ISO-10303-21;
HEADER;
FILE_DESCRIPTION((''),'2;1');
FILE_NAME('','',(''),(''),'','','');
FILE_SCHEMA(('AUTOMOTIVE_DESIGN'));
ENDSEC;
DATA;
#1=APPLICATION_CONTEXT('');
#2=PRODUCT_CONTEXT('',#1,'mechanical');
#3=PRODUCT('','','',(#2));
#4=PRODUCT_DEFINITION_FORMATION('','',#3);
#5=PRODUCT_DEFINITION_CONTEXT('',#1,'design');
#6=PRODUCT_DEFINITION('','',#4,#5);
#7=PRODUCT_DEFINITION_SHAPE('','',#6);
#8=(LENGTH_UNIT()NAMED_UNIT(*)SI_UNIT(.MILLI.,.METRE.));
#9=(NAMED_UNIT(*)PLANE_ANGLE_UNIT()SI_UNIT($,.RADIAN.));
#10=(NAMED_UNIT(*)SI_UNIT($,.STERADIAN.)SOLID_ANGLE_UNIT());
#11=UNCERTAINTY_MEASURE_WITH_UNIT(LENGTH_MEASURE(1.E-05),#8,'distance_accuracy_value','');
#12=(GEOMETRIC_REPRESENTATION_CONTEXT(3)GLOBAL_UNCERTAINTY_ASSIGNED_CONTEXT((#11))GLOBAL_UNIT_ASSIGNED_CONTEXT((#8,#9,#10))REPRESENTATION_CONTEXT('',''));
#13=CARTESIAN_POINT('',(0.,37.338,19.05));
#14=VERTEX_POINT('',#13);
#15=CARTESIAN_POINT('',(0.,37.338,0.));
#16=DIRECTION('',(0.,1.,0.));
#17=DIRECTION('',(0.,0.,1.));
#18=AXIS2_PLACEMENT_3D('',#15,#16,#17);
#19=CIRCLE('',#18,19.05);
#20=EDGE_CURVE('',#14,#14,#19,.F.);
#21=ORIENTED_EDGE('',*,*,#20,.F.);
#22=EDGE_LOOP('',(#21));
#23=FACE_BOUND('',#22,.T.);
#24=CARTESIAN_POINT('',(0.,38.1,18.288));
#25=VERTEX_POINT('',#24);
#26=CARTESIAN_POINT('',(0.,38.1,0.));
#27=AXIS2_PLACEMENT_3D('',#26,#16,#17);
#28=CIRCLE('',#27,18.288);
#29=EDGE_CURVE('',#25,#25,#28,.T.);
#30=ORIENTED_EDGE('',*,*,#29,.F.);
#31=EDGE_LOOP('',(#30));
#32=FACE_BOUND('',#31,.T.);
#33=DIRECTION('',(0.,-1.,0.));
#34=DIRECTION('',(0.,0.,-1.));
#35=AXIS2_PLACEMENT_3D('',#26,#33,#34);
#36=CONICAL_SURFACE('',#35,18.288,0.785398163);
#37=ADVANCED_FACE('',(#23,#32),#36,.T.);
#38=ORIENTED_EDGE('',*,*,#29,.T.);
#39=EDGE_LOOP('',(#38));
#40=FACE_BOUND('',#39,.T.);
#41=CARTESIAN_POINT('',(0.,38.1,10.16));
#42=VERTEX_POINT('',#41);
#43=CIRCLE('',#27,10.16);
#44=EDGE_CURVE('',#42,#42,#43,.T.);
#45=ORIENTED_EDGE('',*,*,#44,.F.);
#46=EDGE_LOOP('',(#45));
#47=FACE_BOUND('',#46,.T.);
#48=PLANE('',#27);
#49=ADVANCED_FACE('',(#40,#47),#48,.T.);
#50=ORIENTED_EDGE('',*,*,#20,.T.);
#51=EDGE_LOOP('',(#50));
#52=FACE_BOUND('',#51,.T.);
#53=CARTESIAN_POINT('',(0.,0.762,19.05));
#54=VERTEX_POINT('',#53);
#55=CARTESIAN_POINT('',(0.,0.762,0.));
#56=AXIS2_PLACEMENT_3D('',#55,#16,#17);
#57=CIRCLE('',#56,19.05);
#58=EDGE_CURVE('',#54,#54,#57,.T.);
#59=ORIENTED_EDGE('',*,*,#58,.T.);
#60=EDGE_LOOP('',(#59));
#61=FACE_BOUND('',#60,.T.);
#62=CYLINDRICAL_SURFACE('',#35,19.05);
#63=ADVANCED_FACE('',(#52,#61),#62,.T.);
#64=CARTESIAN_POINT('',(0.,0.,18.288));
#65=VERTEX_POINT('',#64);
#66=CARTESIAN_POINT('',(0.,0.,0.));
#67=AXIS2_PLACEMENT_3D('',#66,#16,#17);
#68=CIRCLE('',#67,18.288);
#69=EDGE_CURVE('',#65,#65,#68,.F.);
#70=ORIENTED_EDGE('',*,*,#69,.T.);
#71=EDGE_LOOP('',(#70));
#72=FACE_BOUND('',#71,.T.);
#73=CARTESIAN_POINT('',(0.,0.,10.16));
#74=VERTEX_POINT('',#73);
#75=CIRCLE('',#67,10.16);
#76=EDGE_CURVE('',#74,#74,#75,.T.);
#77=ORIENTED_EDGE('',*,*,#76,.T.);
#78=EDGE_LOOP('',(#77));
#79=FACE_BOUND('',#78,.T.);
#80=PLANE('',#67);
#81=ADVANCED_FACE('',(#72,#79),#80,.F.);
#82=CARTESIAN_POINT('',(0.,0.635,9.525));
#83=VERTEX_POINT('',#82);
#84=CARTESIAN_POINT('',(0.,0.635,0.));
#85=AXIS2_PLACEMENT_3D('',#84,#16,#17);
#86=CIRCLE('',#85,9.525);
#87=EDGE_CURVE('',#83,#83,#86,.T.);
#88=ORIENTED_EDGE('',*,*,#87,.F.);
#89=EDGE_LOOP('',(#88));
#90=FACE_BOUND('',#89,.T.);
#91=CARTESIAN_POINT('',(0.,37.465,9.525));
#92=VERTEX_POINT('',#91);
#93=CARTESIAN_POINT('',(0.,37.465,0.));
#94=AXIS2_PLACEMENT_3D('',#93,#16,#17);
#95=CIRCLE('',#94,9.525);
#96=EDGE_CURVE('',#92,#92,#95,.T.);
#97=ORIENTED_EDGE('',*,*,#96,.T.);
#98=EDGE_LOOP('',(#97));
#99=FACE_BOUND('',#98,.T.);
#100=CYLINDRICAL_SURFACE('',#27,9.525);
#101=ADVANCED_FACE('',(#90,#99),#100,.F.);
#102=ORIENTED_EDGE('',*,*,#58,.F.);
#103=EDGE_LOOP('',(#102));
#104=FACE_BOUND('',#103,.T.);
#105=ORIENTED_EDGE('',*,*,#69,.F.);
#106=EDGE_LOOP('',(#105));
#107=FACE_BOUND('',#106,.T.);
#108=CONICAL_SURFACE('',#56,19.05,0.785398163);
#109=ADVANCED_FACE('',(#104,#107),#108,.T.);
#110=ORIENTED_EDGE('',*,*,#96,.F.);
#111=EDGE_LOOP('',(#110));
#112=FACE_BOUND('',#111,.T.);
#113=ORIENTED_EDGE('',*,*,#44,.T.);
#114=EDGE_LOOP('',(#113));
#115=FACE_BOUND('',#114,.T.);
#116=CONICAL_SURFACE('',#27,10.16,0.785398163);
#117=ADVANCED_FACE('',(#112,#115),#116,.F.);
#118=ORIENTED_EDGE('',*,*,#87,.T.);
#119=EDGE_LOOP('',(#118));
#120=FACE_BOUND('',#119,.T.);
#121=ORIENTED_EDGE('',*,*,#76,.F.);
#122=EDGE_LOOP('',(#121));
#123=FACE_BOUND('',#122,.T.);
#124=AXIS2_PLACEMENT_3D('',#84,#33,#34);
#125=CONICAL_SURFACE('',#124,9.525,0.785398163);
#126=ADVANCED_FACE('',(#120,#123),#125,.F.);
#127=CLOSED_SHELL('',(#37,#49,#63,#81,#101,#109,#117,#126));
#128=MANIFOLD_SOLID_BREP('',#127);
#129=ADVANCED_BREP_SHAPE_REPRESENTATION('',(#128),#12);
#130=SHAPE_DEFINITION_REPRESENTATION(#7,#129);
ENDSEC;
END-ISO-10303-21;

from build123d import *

# Parameters (mm, degrees)
SKETCH1_R      = 19.05
EXTRUDE1_DEPTH = 38.1
CHAMFER1_SIZE  = 0.762


with BuildPart() as part:
    # Sketch1 → Extrude1 (new body)
    with BuildSketch(Plane(origin=(0, 0, 0), x_dir=(1, 0, 0), z_dir=(0, 1, 0))):
        with Locations(Location((0, 0, 0), (0, 0, 270))):  # turned: the seam where the file's is
            Circle(SKETCH1_R)
    extrude(amount=EXTRUDE1_DEPTH)

    # Sketch2 → 3/4 (0.75) Diameter Hole1 (revolve, cut)
    with BuildSketch(Plane(origin=(0, 38.1, 0), x_dir=(0, 0, 1), z_dir=(1, 0, 0))):
        Polygon((0, 0), (0, 38.1), (10.16, 38.1), (9.525, 37.465), (9.525, 0.635), (10.16, 0), align=None)
    revolve(axis=Axis((0, 44.45, 0), (0, -1, 0)), mode=Mode.SUBTRACT)

    # Chamfer1
    chamfer1_edges = [part.edges().sort_by_distance(p)[0] for p in [
        (0, 0, -19.05),
        (0, 38.1, -19.05),
    ]]
    chamfer(chamfer1_edges, length=CHAMFER1_SIZE)


solid = part.part
